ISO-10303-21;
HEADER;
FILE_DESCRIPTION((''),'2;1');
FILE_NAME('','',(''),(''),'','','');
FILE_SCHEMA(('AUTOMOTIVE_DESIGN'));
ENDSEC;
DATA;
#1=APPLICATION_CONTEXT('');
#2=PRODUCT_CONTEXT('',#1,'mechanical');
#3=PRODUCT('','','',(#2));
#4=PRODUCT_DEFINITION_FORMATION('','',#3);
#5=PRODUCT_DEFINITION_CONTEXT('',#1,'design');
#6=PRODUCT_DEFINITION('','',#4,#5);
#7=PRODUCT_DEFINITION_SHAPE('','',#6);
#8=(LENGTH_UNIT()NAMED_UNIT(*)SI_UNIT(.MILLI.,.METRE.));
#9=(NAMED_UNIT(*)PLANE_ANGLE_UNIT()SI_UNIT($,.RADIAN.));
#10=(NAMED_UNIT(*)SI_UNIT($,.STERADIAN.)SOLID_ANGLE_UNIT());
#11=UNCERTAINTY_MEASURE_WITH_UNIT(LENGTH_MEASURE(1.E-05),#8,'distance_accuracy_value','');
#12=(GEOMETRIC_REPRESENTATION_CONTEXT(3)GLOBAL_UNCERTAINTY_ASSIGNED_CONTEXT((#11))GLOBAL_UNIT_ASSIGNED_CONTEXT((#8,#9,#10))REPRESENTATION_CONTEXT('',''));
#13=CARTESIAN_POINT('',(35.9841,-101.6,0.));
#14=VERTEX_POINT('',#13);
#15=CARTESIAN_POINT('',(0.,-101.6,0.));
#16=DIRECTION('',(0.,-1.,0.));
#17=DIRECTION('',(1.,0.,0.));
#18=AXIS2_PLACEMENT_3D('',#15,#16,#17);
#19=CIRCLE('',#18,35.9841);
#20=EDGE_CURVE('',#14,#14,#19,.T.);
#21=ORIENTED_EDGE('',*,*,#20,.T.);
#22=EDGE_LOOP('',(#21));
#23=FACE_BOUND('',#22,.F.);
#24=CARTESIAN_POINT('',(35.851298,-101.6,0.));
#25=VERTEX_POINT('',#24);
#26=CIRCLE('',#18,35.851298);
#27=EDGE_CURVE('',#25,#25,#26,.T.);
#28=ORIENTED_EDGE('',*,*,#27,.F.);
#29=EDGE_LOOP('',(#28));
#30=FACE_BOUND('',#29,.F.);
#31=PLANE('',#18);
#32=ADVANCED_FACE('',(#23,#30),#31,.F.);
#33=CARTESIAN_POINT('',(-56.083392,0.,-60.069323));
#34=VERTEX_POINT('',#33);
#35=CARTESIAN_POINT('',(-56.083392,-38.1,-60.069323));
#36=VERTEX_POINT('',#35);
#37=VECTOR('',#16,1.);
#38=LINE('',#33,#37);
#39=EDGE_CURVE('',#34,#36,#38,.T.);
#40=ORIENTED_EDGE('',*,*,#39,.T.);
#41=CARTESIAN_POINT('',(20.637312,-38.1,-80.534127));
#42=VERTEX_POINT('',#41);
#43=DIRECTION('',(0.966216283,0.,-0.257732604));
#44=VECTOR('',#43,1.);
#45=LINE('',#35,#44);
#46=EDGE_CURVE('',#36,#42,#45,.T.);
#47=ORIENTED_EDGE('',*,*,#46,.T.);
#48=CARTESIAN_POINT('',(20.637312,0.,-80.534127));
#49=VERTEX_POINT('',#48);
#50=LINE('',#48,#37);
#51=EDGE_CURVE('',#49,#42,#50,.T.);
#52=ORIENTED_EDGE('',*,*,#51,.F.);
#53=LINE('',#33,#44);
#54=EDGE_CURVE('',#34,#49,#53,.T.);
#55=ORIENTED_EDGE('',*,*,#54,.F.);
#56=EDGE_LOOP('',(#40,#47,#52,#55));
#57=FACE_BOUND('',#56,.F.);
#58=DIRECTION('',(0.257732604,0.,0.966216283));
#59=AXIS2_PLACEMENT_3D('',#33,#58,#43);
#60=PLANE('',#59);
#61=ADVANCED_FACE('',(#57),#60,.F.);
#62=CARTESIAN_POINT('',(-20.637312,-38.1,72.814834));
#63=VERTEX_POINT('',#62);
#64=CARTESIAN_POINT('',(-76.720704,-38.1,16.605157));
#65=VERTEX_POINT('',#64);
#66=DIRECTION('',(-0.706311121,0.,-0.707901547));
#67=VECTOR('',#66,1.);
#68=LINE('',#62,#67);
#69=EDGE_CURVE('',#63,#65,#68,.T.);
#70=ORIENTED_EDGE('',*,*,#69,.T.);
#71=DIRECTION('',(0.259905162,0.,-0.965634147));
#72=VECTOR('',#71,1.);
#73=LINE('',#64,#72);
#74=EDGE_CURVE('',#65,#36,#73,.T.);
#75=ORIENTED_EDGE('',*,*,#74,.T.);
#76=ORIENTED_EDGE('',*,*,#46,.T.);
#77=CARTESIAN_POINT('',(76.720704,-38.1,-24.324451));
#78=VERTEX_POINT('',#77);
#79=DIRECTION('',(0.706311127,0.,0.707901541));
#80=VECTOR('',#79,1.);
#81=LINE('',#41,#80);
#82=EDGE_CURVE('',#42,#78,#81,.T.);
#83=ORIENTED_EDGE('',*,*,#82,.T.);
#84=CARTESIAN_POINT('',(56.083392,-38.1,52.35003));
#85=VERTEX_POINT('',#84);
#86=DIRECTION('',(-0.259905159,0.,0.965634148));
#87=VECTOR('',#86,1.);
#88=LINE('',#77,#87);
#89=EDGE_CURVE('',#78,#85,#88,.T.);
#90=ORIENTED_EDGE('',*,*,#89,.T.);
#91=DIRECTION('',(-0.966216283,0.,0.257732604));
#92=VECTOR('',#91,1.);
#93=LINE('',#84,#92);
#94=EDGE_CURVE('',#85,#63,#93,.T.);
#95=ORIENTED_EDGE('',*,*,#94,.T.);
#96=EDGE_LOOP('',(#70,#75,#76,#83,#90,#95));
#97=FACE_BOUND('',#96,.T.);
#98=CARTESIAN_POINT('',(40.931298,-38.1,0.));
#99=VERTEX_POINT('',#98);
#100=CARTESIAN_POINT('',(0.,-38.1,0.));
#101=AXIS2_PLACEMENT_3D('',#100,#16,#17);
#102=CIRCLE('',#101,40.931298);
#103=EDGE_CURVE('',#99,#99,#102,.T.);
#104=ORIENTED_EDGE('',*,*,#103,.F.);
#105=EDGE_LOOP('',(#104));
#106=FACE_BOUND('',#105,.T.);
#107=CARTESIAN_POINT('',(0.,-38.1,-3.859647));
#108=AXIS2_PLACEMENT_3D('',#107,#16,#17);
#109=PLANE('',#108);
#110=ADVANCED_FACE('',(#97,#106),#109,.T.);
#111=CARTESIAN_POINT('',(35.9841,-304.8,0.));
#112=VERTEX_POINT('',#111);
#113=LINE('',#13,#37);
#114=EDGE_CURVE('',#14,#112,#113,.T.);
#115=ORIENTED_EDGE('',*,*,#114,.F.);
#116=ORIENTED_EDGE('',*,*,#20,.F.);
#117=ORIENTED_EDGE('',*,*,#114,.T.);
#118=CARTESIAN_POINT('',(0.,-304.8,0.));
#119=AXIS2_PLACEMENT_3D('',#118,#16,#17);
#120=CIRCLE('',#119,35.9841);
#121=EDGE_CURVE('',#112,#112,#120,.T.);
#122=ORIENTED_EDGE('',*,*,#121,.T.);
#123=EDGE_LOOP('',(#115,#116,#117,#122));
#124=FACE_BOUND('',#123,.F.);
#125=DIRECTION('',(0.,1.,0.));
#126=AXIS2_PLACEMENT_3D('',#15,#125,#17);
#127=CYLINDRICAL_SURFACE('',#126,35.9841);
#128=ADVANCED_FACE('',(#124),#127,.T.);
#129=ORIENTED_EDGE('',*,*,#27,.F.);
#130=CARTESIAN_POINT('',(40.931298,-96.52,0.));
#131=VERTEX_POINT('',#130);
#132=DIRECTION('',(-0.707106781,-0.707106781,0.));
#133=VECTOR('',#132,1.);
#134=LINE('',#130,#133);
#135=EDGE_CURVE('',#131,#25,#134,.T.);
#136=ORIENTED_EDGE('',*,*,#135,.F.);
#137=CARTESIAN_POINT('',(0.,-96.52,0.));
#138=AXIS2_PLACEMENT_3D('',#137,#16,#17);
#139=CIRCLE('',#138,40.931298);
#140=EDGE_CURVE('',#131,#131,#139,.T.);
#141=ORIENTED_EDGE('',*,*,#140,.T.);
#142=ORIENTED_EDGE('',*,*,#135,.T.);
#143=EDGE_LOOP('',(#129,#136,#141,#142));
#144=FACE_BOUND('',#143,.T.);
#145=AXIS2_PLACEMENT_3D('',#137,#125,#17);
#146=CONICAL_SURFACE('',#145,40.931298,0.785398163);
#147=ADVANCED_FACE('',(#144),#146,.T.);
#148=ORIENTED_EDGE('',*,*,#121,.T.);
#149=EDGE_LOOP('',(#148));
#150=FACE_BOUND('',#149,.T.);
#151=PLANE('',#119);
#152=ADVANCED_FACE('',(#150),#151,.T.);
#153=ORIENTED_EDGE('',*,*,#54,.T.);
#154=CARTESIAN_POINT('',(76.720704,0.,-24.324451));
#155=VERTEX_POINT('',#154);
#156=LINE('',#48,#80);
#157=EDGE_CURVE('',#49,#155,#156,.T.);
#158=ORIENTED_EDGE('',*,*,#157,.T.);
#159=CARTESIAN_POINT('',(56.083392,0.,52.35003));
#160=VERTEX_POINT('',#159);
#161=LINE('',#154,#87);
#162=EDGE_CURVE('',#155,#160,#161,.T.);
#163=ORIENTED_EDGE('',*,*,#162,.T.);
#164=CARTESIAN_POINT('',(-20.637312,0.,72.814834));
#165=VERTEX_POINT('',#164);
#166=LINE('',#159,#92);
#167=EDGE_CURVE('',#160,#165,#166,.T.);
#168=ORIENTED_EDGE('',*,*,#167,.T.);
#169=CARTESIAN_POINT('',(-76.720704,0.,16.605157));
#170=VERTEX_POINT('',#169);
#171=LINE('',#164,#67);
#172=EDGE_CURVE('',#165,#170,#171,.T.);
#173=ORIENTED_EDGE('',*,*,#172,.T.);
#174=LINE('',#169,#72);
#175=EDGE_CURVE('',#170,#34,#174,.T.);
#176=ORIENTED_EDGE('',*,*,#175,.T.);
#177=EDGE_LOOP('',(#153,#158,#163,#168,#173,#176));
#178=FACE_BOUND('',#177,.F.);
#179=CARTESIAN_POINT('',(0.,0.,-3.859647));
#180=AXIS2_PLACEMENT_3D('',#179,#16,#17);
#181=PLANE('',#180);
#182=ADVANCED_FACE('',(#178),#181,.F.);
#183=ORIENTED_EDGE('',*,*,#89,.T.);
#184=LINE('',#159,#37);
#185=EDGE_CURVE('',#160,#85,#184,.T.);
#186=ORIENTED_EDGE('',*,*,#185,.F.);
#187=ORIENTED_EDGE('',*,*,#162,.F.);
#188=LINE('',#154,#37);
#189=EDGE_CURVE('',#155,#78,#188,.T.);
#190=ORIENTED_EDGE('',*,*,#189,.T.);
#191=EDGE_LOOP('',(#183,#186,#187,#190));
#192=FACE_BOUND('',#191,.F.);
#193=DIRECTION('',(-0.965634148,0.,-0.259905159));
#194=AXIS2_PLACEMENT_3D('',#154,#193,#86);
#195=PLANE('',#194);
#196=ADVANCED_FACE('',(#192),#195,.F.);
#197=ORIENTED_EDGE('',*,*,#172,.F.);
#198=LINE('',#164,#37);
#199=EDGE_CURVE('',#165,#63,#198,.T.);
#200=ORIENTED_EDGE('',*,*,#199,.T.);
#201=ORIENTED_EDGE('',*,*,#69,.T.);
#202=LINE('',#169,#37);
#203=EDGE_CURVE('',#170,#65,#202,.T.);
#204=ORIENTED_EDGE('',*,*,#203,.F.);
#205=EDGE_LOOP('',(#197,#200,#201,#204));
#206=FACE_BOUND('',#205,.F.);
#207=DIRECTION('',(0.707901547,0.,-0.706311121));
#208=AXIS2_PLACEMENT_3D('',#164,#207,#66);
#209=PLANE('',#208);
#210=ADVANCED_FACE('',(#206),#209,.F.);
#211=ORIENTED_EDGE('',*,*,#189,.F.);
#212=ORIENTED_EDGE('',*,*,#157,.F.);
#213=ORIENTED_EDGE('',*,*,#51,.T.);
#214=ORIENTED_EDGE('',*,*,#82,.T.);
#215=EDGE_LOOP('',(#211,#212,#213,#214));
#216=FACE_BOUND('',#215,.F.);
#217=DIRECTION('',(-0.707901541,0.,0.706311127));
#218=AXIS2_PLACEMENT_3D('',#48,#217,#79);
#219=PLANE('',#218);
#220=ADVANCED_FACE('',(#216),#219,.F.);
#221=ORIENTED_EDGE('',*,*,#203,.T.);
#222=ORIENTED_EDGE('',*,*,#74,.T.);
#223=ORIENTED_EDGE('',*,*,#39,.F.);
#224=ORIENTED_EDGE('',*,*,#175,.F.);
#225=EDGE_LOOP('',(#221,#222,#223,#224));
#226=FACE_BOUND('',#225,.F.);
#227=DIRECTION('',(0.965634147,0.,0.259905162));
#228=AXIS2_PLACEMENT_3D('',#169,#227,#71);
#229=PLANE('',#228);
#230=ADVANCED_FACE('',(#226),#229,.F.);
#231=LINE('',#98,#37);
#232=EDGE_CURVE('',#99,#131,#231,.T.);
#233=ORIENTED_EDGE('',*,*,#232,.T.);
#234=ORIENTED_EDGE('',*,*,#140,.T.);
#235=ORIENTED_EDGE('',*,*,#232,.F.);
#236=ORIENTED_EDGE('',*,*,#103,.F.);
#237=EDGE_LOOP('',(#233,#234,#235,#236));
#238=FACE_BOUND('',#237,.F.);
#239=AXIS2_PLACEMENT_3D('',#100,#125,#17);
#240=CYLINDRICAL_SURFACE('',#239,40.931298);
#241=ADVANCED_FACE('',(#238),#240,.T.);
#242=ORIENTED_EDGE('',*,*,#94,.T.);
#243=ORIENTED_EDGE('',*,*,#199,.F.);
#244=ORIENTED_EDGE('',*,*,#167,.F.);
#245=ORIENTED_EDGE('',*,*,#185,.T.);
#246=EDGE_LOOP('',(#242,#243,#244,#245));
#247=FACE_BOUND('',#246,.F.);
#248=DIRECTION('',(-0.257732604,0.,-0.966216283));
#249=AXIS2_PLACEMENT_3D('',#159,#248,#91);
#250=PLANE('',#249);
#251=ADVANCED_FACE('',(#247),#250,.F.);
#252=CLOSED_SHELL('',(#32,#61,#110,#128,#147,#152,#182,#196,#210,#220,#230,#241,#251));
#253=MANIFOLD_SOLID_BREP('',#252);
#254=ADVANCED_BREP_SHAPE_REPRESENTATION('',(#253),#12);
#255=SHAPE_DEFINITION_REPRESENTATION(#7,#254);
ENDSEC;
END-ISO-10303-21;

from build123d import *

# Parameters (mm, degrees)
F1_DEPTH = 38.1
F2_R     = 40.931298
F3_DEPTH = 63.5
F4_SIZE  = 5.08
F5_R     = 35.9841
F6_DEPTH = 203.2


with BuildPart() as f1:
    # F0 (on Front) → F1 (new body)
    with BuildSketch(Plane.XZ):
        Polygon((76.720704, -24.324451), (56.083392, 52.35003), (-20.637312, 72.814834), (-76.720704, 16.605157), (-56.083392, -60.069323), (20.637312, -80.534127), align=None)
    extrude(amount=F1_DEPTH)

    # F2 (on face) → F3 (join)
    with BuildSketch(Plane.XZ.offset(38.1)):
        Circle(F2_R)
    extrude(amount=F3_DEPTH)

    # F4
    f4_edges = [f1.edges().sort_by_distance(p)[0] for p in [
        (-40.931298, -101.6, 0),
    ]]
    chamfer(f4_edges, length=F4_SIZE)

    # F5 (on face) → F6 (join)
    with BuildSketch(Plane.XZ.offset(101.6)):
        Circle(F5_R)
    extrude(amount=F6_DEPTH)


solid = f1.part
